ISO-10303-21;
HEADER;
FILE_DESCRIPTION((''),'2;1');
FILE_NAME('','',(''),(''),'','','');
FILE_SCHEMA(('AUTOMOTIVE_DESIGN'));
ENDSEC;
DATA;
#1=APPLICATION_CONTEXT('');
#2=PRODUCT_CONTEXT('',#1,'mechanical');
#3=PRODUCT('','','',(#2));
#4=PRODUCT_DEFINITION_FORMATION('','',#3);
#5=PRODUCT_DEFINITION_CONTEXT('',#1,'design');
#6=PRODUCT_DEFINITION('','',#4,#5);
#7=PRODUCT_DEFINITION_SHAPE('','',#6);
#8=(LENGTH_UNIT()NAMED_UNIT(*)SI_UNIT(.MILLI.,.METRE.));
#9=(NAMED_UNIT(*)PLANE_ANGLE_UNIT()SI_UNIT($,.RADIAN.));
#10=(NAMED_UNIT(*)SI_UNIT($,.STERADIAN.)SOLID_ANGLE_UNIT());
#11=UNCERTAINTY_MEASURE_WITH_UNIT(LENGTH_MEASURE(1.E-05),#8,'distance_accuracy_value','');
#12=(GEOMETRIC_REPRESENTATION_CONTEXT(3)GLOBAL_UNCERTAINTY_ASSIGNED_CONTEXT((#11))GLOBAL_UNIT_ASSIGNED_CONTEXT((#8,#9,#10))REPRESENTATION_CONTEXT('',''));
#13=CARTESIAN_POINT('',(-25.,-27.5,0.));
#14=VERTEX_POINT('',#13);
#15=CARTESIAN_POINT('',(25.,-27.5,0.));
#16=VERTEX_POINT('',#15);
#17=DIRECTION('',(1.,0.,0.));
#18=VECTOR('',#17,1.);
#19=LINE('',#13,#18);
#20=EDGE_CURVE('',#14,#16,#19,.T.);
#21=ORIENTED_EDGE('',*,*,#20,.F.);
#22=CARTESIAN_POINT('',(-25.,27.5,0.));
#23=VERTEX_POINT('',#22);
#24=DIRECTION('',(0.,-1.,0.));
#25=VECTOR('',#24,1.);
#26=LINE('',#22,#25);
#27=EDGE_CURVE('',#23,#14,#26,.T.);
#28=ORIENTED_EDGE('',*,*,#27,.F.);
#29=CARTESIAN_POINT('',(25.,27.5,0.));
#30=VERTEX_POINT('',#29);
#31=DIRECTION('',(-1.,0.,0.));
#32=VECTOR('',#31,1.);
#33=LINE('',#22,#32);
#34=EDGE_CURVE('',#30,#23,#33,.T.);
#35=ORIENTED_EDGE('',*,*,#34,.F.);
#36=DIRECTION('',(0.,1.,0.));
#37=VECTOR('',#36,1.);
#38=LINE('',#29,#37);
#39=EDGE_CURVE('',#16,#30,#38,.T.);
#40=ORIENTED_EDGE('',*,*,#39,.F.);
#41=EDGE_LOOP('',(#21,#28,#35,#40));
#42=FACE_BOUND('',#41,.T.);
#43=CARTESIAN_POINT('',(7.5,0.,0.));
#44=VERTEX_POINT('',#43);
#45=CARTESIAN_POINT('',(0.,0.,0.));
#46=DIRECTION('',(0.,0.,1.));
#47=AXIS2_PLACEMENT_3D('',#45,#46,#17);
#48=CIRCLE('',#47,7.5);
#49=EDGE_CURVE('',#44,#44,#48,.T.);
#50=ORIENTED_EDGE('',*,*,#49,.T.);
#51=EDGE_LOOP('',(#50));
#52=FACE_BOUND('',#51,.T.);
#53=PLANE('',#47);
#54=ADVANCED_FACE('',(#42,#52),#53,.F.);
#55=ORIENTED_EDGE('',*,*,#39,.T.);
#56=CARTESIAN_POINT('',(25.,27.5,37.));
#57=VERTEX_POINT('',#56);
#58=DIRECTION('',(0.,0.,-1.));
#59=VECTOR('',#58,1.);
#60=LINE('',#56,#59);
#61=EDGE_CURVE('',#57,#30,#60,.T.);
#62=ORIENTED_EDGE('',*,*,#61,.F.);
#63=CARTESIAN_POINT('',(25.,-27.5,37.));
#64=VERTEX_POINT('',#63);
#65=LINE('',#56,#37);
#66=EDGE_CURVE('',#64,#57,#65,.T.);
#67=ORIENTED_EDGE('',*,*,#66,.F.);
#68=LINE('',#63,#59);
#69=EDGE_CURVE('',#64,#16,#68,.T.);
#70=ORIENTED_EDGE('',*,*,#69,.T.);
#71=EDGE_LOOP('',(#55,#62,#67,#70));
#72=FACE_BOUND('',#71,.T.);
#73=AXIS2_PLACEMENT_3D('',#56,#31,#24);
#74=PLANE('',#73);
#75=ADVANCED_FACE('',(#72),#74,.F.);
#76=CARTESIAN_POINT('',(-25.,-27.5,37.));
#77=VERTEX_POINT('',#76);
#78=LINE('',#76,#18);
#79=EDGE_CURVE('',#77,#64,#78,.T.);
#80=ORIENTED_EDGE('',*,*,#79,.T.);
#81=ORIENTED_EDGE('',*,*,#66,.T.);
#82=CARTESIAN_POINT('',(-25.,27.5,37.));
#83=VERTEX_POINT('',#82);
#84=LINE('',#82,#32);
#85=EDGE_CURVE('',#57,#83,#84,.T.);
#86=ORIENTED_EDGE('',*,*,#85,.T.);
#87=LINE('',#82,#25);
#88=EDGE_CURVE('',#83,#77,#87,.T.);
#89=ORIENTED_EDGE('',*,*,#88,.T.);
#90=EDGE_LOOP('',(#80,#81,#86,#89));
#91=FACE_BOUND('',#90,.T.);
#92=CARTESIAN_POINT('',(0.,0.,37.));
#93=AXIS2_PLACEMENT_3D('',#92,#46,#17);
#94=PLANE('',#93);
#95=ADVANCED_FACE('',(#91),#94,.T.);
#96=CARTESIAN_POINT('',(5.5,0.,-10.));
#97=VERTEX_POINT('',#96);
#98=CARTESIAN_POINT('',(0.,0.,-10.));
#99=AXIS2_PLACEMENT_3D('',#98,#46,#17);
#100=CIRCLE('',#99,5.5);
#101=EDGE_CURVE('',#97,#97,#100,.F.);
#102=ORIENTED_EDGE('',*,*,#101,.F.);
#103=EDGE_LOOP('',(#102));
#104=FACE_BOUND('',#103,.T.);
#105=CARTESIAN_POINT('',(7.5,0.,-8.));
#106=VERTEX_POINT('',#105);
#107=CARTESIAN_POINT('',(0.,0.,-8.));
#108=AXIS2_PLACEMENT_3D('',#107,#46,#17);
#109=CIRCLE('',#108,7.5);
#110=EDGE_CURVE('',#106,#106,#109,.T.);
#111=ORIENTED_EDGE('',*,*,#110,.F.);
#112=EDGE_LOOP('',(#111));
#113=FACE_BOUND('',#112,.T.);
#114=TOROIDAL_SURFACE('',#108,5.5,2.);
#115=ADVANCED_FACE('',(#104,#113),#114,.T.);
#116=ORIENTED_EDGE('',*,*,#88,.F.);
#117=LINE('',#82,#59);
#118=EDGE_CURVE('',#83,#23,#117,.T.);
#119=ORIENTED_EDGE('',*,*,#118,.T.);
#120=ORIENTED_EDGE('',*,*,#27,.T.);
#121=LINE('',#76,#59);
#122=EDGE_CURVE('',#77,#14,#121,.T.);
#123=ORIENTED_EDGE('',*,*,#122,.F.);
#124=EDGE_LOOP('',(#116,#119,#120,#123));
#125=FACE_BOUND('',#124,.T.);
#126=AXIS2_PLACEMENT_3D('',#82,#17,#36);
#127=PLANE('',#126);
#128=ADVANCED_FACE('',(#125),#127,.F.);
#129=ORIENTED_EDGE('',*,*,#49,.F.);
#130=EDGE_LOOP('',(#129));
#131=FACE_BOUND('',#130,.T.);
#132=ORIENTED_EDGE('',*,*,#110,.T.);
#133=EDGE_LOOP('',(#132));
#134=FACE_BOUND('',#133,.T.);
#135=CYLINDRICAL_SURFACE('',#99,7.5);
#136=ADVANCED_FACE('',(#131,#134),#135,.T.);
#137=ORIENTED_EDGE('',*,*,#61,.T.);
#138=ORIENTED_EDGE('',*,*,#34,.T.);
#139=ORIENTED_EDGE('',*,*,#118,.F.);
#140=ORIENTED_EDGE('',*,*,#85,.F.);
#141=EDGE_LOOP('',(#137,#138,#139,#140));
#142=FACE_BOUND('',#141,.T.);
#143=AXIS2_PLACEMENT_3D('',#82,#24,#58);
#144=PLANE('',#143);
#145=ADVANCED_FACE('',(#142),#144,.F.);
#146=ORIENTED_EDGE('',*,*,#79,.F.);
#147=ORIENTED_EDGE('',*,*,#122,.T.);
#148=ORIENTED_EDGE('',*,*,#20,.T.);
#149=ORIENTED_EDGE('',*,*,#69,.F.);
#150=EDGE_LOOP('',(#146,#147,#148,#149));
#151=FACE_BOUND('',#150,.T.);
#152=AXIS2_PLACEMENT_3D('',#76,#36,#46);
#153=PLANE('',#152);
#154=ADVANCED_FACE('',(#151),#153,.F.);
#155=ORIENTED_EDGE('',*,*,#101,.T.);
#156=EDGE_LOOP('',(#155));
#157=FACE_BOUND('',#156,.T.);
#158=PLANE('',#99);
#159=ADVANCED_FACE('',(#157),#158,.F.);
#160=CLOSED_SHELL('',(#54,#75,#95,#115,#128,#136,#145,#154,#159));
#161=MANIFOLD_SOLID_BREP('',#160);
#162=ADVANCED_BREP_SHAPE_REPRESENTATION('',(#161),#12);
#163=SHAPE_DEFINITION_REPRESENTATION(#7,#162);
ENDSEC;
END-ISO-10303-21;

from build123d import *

# Parameters (mm, degrees)
ESQUISSE1_W        = 50
ESQUISSE1_H        = 55
BOSS_EXTRU_1_DEPTH = 37
ESQUISSE2_R        = 7.5
BOSS_EXTRU_2_DEPTH = 10
CONG_3_R           = 2


with BuildPart() as part:
    # Esquisse1 → Boss.-Extru.1 (new body)
    with BuildSketch(Plane.XY):
        Rectangle(ESQUISSE1_W, ESQUISSE1_H)
    extrude(amount=BOSS_EXTRU_1_DEPTH)

    # Esquisse2 → Boss.-Extru.2 (add)
    with BuildSketch(Plane.XY):
        Circle(ESQUISSE2_R)
    extrude(amount=-BOSS_EXTRU_2_DEPTH)

    # Congé3
    cong_3_edges = [part.edges().sort_by_distance(p)[0] for p in [
        (-7.5, 0, -10),
    ]]
    fillet(cong_3_edges, radius=CONG_3_R)


solid = part.part
